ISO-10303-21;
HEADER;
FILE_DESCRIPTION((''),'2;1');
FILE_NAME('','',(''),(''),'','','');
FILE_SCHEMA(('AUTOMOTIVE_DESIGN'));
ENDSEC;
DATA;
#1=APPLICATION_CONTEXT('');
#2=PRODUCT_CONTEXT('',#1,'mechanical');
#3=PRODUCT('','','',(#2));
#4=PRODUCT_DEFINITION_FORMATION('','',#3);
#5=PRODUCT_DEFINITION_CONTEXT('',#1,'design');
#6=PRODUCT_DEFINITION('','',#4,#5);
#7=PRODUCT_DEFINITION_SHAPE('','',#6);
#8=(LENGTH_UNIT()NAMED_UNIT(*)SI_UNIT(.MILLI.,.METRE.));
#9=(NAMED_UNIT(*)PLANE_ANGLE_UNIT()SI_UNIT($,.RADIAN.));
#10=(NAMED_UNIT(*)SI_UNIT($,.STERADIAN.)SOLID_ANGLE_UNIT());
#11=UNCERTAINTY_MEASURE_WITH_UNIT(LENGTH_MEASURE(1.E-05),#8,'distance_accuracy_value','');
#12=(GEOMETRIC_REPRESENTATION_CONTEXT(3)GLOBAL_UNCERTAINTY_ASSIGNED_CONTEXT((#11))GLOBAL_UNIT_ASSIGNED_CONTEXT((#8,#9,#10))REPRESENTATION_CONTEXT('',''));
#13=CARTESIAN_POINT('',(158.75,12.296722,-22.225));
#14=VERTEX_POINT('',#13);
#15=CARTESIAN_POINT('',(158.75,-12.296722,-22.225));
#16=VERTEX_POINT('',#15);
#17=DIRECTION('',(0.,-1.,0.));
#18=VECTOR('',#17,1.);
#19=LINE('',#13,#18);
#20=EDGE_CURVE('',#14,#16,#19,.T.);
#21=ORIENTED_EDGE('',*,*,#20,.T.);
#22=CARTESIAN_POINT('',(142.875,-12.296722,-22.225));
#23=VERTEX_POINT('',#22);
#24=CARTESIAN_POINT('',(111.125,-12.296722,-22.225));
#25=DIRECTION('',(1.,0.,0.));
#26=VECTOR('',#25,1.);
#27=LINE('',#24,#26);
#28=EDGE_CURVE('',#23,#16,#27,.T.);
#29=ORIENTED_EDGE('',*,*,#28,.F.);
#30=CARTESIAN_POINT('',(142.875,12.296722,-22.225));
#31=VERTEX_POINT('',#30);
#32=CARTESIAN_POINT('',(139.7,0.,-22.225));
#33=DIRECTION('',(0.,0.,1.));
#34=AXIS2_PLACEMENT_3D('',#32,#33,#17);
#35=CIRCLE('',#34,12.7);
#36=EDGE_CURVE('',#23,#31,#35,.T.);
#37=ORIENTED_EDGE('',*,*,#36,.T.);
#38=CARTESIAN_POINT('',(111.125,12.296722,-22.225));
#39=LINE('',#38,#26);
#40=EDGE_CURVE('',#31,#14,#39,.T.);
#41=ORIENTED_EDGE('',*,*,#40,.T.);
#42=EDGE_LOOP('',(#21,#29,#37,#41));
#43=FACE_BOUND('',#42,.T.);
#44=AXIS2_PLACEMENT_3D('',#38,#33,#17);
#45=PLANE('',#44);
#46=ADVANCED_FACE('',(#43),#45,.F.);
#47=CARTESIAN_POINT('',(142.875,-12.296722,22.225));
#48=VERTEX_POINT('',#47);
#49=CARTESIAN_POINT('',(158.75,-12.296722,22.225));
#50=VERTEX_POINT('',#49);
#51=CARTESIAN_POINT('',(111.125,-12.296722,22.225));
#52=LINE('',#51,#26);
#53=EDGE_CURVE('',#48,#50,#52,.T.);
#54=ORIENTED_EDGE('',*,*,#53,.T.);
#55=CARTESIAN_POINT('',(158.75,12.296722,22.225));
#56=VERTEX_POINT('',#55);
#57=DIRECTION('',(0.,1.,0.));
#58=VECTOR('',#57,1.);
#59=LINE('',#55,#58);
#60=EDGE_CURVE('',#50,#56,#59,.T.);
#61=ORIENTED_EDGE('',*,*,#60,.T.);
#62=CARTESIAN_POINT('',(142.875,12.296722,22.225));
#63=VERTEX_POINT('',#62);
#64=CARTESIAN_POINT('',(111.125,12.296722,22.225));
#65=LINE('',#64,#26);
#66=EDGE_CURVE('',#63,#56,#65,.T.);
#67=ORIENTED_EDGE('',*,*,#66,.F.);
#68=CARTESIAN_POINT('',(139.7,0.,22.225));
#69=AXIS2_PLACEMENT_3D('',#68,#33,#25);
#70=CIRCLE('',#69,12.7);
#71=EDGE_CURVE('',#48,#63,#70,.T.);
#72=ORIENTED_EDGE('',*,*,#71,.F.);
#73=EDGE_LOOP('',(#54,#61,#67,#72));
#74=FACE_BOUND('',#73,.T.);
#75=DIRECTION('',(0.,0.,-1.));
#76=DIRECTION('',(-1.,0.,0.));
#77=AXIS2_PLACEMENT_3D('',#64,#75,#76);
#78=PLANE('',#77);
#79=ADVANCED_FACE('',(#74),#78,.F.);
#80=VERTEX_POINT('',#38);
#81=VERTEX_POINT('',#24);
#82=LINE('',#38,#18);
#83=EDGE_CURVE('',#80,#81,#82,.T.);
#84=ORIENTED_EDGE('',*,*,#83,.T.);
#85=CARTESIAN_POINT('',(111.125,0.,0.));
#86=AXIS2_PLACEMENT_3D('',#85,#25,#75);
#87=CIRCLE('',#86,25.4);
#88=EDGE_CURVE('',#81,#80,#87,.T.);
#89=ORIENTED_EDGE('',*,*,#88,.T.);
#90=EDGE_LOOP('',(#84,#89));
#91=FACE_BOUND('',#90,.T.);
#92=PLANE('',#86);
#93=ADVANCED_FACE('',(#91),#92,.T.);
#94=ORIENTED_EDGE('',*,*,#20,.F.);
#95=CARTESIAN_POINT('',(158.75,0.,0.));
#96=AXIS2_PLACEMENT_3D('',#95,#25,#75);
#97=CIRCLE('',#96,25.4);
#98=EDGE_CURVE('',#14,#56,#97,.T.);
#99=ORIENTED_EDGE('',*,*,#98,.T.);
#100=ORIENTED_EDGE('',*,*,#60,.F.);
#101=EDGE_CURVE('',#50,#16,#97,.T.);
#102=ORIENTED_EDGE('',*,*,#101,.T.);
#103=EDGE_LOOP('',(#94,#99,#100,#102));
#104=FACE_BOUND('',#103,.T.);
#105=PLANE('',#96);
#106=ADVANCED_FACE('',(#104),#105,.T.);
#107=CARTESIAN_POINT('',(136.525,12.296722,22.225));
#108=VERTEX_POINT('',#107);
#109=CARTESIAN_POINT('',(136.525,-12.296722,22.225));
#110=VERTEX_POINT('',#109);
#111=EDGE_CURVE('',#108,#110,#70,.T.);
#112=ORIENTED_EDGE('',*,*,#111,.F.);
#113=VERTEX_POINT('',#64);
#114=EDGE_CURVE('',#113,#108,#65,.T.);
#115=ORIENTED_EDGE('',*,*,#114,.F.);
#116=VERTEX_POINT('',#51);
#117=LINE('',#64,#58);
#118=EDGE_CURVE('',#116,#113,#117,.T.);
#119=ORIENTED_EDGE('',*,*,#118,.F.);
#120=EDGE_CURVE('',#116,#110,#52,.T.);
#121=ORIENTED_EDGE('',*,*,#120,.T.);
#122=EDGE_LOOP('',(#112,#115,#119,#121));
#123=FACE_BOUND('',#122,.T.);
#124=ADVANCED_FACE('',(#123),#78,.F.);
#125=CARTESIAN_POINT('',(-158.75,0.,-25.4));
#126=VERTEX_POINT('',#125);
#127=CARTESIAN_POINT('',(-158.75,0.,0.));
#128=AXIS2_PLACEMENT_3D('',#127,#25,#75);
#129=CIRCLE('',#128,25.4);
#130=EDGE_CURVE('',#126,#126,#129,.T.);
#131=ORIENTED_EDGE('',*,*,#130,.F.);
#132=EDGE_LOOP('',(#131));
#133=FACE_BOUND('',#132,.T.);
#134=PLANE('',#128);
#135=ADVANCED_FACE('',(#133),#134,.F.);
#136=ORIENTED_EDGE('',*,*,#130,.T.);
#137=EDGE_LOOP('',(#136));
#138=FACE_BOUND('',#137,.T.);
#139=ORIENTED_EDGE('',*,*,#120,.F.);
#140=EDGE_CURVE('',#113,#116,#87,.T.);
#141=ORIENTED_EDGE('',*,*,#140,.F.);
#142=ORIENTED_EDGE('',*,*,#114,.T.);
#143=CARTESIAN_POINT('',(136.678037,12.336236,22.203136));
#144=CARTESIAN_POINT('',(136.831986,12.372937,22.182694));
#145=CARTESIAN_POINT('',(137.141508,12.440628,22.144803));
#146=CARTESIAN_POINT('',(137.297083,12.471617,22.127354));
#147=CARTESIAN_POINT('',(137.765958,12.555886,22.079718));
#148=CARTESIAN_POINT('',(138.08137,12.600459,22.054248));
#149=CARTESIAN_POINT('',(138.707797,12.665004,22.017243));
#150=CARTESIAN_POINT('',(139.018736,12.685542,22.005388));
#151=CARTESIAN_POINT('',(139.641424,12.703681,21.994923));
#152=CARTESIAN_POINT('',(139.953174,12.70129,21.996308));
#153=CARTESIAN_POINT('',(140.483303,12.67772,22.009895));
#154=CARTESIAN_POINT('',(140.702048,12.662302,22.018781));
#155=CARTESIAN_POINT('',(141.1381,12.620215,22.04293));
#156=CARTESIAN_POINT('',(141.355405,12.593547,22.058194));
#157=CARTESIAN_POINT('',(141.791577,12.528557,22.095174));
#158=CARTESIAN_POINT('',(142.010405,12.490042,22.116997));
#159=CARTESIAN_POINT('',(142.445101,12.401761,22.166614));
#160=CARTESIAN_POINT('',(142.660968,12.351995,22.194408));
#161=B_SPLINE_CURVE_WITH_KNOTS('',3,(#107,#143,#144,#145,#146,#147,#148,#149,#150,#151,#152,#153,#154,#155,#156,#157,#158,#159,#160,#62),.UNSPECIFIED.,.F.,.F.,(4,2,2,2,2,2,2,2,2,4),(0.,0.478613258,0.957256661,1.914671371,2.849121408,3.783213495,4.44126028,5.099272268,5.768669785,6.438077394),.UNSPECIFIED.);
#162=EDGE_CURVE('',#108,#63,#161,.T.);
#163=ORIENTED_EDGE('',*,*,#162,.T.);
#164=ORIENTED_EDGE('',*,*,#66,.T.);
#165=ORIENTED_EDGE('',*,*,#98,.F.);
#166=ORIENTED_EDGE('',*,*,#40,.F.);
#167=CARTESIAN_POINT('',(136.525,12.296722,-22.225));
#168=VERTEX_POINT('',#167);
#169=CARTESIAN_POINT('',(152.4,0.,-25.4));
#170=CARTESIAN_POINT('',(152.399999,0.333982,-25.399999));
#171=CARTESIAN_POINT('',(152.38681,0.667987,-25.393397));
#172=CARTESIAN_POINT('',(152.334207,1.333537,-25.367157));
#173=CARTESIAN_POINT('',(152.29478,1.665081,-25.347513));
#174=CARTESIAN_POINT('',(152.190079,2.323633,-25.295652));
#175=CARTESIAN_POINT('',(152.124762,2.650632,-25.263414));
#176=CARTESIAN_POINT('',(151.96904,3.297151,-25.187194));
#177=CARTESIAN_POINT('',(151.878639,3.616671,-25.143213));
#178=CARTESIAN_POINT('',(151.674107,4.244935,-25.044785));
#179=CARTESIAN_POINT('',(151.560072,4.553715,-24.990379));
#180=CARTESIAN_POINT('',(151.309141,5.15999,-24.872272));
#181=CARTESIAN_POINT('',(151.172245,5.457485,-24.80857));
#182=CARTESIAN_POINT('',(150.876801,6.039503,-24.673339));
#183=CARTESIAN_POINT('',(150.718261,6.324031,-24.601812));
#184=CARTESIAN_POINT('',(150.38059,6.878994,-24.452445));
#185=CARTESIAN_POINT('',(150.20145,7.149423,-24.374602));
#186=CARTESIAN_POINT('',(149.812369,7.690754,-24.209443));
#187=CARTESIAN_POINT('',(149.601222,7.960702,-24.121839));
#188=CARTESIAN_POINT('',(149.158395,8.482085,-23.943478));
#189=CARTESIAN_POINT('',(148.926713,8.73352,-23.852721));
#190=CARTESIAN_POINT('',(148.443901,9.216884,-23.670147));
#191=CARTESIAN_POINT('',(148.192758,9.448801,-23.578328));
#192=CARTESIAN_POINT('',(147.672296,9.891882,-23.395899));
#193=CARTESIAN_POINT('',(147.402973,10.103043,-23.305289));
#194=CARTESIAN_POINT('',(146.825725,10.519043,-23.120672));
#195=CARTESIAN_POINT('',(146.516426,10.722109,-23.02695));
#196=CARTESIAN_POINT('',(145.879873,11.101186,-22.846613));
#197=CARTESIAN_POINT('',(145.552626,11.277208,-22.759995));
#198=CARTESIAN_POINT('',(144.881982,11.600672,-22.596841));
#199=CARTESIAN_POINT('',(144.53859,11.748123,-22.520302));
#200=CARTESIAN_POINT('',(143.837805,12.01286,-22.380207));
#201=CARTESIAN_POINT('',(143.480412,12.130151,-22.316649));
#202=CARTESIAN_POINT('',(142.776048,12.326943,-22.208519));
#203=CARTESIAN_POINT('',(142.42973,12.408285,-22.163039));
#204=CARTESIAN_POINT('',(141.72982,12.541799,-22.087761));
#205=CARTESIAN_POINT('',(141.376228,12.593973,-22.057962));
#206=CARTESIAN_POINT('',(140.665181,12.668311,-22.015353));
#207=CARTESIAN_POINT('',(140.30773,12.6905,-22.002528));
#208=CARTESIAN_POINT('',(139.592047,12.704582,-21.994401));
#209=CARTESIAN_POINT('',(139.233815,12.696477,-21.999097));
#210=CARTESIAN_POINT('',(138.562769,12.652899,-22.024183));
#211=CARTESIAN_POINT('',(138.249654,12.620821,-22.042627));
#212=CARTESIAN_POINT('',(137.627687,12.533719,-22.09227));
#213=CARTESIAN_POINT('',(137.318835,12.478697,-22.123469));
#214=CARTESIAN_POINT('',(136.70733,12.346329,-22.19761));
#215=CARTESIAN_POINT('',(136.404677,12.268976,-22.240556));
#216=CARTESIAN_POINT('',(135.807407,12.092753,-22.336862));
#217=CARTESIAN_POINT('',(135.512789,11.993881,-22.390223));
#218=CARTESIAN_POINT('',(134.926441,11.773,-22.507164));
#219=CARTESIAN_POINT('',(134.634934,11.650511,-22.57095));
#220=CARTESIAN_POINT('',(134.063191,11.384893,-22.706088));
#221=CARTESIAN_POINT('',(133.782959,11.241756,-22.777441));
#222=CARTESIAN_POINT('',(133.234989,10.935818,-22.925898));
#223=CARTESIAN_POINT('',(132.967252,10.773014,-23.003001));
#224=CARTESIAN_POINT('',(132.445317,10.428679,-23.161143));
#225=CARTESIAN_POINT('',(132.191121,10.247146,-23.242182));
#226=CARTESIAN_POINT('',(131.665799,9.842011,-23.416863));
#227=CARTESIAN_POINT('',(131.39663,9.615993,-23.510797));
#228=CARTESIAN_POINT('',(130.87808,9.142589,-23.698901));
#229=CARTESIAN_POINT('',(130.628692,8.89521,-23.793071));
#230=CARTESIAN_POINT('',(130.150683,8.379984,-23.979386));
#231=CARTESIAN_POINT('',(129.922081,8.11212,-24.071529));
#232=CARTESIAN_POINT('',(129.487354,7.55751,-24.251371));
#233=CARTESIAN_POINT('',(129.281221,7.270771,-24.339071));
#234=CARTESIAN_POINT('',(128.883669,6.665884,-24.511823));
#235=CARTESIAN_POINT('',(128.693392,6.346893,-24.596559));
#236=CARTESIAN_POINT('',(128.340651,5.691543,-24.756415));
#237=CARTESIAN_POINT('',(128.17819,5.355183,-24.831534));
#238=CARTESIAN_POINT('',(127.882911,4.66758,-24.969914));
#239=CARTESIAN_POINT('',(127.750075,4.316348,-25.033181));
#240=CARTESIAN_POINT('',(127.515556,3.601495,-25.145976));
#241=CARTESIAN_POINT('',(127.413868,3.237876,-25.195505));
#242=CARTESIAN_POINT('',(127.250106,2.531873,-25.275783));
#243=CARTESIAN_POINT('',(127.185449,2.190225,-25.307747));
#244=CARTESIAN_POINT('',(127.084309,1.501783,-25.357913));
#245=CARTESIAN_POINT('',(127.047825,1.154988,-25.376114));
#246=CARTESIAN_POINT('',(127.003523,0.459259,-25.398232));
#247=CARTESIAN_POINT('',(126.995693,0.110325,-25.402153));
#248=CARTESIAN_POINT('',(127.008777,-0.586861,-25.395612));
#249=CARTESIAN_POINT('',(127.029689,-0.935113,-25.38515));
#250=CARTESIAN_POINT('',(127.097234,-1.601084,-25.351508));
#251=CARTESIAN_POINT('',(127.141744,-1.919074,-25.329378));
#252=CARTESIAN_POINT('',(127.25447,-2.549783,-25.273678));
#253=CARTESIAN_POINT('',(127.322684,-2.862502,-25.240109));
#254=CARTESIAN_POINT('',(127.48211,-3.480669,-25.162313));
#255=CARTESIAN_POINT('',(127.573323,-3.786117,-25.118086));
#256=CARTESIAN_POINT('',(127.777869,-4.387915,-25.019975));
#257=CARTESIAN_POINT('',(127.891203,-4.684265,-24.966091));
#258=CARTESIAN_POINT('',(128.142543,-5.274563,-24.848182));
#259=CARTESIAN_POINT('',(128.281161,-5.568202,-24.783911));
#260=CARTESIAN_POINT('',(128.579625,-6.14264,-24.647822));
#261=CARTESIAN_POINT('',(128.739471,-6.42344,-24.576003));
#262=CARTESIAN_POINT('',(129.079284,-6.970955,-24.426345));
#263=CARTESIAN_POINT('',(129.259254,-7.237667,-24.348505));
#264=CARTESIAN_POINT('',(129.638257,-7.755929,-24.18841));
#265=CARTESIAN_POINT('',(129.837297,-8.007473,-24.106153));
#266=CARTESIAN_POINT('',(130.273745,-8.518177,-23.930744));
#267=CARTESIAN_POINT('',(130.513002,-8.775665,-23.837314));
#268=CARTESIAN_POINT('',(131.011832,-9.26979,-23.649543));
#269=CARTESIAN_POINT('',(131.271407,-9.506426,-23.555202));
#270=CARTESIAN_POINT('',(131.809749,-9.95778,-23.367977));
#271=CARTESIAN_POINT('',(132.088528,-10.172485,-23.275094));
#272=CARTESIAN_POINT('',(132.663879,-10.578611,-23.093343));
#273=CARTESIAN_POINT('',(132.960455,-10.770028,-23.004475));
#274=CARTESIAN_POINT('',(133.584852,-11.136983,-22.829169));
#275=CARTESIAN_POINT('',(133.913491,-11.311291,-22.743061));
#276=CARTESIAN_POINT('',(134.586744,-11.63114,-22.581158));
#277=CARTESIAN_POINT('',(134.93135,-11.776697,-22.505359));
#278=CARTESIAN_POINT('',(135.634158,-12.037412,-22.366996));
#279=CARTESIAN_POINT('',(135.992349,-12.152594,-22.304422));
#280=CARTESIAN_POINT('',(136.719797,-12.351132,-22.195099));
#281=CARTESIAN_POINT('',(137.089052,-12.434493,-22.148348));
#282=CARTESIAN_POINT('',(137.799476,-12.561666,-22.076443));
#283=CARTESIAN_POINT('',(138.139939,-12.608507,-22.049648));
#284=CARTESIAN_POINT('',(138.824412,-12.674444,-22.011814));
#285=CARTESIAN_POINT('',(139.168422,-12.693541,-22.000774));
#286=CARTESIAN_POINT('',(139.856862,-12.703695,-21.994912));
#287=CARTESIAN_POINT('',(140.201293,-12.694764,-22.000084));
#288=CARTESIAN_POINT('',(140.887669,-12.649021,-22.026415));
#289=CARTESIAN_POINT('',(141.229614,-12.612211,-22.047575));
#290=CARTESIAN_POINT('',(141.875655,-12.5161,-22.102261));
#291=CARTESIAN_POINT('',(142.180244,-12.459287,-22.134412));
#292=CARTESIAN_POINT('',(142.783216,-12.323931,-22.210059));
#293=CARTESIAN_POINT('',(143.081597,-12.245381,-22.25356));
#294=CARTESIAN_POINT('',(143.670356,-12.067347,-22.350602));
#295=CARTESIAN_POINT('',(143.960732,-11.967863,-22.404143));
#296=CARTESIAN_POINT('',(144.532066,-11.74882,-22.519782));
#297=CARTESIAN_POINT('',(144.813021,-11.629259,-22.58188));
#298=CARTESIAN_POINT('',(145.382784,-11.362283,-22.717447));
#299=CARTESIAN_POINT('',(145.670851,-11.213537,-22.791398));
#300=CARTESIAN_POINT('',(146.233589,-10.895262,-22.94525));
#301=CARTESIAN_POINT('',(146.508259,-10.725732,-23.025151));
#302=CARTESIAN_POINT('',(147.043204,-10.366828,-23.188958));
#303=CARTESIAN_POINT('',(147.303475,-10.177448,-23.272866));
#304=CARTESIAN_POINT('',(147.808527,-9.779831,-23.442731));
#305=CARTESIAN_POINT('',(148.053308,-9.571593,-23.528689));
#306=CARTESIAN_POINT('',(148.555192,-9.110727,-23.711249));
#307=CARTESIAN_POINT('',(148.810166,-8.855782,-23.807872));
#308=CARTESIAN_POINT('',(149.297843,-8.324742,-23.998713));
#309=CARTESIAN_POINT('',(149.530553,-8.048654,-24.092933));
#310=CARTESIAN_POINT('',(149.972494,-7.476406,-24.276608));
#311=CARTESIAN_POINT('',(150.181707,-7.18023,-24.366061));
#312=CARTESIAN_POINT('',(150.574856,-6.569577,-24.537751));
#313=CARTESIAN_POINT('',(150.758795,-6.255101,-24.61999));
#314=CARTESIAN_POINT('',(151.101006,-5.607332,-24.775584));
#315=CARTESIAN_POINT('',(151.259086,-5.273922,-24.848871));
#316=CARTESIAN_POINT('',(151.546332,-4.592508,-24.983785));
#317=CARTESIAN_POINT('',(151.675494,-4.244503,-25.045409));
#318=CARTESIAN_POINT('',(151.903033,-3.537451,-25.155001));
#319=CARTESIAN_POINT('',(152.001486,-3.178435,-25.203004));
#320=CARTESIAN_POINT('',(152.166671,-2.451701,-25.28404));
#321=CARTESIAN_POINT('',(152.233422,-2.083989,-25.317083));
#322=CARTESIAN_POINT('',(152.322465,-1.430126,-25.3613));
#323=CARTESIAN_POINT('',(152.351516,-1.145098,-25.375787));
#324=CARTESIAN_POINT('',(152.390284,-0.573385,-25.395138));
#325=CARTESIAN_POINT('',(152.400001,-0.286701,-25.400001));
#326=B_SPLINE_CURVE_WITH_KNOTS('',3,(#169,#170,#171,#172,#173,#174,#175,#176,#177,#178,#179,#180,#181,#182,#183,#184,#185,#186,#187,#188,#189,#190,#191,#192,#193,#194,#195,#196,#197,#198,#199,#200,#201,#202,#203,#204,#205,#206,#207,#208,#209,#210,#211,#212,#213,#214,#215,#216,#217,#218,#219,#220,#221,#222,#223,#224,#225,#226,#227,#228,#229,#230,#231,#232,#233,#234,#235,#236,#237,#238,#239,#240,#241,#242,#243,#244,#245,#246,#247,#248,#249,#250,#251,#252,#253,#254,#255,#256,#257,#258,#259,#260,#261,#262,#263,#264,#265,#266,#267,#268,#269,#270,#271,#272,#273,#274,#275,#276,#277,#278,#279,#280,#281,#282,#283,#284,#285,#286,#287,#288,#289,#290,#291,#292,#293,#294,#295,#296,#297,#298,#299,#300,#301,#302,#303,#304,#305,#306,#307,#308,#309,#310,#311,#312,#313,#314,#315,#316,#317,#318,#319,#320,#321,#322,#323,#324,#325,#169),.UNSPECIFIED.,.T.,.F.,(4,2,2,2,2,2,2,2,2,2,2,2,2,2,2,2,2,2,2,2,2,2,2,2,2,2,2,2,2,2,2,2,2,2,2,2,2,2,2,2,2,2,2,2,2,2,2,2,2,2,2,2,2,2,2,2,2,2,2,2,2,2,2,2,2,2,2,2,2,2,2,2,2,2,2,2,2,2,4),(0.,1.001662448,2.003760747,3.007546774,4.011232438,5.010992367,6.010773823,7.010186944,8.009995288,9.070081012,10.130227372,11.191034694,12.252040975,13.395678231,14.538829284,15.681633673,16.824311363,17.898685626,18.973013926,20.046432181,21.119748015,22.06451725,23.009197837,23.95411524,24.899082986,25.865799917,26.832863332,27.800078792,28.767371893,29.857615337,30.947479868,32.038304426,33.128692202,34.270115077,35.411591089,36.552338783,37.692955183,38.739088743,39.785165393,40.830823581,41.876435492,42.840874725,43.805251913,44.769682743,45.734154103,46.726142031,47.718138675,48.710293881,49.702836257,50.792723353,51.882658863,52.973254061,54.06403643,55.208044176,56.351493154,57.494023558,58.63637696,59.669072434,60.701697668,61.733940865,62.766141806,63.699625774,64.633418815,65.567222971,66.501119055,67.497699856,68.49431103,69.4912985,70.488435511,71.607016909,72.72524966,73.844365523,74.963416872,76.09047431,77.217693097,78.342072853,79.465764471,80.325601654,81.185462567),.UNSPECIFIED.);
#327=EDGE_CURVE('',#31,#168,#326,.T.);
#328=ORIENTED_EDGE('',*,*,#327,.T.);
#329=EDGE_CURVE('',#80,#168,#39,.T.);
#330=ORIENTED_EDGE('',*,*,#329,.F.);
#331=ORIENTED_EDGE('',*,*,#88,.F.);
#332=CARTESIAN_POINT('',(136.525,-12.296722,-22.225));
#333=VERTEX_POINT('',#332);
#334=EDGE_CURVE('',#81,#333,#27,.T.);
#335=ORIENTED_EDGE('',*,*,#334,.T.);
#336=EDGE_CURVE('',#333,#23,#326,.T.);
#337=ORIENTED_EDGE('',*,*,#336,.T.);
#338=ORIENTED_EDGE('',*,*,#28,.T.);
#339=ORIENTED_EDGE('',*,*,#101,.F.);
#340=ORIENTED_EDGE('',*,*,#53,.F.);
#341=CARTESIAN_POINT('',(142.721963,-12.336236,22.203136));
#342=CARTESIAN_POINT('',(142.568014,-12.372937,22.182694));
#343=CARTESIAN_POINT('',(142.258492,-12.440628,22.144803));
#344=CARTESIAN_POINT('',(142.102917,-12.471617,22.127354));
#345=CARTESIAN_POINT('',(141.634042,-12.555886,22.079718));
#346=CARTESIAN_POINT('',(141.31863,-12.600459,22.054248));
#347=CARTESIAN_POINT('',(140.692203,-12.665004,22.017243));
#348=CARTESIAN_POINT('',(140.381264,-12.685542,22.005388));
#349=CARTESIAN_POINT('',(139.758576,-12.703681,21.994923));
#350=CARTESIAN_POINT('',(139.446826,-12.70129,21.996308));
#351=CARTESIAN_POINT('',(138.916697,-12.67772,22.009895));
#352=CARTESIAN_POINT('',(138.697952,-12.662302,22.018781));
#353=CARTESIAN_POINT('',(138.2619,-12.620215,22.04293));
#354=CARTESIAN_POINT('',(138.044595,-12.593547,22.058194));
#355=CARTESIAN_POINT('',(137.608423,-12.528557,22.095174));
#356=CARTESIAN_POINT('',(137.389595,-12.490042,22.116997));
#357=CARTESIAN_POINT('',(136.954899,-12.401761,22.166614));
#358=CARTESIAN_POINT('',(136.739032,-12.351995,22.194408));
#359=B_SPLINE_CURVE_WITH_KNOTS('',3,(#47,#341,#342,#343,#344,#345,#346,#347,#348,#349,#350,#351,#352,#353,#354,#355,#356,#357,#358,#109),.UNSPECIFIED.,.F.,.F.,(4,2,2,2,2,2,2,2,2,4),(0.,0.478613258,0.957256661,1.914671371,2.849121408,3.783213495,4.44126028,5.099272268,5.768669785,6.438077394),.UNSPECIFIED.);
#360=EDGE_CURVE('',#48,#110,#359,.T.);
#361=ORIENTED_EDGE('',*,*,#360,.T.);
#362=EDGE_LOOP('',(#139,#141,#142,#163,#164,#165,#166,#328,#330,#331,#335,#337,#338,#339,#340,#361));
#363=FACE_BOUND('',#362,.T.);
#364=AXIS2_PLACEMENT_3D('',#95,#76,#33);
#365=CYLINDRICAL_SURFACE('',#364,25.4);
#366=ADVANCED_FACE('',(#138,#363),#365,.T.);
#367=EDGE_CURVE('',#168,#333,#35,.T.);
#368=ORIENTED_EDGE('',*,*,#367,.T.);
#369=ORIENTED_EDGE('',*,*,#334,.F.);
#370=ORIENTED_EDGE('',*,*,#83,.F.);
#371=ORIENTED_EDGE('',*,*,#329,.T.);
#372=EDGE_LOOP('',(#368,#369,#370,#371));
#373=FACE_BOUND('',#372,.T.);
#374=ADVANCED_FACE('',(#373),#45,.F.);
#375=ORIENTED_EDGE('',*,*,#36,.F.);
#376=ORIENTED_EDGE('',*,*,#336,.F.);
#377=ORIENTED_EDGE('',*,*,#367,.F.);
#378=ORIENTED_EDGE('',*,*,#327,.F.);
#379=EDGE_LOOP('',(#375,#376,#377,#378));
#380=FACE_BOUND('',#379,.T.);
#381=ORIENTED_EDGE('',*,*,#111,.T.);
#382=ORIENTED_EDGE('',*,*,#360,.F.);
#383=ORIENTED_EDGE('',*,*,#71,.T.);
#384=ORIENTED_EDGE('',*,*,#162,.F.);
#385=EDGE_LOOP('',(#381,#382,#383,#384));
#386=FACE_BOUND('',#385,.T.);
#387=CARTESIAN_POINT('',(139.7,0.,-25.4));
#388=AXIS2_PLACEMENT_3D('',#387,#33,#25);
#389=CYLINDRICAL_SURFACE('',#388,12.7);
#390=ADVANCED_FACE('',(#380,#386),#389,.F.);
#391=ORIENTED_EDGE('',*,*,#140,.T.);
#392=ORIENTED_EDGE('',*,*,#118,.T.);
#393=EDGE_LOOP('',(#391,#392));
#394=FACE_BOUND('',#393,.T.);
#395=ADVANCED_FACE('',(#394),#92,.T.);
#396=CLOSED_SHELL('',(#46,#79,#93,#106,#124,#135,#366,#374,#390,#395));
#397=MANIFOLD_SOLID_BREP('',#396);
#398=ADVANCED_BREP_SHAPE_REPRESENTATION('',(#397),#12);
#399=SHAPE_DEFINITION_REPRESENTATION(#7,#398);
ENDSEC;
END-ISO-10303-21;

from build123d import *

# Parameters (mm, degrees)
SKETCH2_R           = 25.4
BOSS_EXTRUDE1_DEPTH = 158.75
CUT_EXTRUDE1_DEPTH  = 47.625
SKETCH4_R           = 12.7
CUT_EXTRUDE2_DEPTH  = 48.625


with BuildPart() as part:
    # Sketch2 → Boss-Extrude1 (new body, symmetric)
    with BuildSketch(Plane(origin=(0, 0, 0), x_dir=(0, 0, -1), z_dir=(1, 0, 0))):
        Circle(SKETCH2_R)
    extrude(amount=BOSS_EXTRUDE1_DEPTH, both=True)

    # Sketch3 → Cut-Extrude1 (cut)
    with BuildSketch(Plane(origin=(158.75, 0, 0), x_dir=(0, 0, -1), z_dir=(1, 0, 0))):
        with BuildLine():
            Line((-22.225, 12.296722124), (-22.225, -12.296722124))
            ThreePointArc((-22.225, -12.296722124), (-25.4, 0), (-22.225, 12.296722124))
        make_face()
        with BuildLine():
            Line((22.225, 12.296722124), (22.225, -12.296722124))
            ThreePointArc((22.225, -12.296722124), (25.4, 0), (22.225, 12.296722124))
        make_face()
    extrude(amount=-CUT_EXTRUDE1_DEPTH, mode=Mode.SUBTRACT)

    # Sketch4 → Cut-Extrude2 (cut, through all)
    with BuildSketch(Plane.XY.offset(22.225)):
        with Locations((139.7, 0)):
            Circle(SKETCH4_R)
    extrude(amount=-CUT_EXTRUDE2_DEPTH, mode=Mode.SUBTRACT)


solid = part.part
